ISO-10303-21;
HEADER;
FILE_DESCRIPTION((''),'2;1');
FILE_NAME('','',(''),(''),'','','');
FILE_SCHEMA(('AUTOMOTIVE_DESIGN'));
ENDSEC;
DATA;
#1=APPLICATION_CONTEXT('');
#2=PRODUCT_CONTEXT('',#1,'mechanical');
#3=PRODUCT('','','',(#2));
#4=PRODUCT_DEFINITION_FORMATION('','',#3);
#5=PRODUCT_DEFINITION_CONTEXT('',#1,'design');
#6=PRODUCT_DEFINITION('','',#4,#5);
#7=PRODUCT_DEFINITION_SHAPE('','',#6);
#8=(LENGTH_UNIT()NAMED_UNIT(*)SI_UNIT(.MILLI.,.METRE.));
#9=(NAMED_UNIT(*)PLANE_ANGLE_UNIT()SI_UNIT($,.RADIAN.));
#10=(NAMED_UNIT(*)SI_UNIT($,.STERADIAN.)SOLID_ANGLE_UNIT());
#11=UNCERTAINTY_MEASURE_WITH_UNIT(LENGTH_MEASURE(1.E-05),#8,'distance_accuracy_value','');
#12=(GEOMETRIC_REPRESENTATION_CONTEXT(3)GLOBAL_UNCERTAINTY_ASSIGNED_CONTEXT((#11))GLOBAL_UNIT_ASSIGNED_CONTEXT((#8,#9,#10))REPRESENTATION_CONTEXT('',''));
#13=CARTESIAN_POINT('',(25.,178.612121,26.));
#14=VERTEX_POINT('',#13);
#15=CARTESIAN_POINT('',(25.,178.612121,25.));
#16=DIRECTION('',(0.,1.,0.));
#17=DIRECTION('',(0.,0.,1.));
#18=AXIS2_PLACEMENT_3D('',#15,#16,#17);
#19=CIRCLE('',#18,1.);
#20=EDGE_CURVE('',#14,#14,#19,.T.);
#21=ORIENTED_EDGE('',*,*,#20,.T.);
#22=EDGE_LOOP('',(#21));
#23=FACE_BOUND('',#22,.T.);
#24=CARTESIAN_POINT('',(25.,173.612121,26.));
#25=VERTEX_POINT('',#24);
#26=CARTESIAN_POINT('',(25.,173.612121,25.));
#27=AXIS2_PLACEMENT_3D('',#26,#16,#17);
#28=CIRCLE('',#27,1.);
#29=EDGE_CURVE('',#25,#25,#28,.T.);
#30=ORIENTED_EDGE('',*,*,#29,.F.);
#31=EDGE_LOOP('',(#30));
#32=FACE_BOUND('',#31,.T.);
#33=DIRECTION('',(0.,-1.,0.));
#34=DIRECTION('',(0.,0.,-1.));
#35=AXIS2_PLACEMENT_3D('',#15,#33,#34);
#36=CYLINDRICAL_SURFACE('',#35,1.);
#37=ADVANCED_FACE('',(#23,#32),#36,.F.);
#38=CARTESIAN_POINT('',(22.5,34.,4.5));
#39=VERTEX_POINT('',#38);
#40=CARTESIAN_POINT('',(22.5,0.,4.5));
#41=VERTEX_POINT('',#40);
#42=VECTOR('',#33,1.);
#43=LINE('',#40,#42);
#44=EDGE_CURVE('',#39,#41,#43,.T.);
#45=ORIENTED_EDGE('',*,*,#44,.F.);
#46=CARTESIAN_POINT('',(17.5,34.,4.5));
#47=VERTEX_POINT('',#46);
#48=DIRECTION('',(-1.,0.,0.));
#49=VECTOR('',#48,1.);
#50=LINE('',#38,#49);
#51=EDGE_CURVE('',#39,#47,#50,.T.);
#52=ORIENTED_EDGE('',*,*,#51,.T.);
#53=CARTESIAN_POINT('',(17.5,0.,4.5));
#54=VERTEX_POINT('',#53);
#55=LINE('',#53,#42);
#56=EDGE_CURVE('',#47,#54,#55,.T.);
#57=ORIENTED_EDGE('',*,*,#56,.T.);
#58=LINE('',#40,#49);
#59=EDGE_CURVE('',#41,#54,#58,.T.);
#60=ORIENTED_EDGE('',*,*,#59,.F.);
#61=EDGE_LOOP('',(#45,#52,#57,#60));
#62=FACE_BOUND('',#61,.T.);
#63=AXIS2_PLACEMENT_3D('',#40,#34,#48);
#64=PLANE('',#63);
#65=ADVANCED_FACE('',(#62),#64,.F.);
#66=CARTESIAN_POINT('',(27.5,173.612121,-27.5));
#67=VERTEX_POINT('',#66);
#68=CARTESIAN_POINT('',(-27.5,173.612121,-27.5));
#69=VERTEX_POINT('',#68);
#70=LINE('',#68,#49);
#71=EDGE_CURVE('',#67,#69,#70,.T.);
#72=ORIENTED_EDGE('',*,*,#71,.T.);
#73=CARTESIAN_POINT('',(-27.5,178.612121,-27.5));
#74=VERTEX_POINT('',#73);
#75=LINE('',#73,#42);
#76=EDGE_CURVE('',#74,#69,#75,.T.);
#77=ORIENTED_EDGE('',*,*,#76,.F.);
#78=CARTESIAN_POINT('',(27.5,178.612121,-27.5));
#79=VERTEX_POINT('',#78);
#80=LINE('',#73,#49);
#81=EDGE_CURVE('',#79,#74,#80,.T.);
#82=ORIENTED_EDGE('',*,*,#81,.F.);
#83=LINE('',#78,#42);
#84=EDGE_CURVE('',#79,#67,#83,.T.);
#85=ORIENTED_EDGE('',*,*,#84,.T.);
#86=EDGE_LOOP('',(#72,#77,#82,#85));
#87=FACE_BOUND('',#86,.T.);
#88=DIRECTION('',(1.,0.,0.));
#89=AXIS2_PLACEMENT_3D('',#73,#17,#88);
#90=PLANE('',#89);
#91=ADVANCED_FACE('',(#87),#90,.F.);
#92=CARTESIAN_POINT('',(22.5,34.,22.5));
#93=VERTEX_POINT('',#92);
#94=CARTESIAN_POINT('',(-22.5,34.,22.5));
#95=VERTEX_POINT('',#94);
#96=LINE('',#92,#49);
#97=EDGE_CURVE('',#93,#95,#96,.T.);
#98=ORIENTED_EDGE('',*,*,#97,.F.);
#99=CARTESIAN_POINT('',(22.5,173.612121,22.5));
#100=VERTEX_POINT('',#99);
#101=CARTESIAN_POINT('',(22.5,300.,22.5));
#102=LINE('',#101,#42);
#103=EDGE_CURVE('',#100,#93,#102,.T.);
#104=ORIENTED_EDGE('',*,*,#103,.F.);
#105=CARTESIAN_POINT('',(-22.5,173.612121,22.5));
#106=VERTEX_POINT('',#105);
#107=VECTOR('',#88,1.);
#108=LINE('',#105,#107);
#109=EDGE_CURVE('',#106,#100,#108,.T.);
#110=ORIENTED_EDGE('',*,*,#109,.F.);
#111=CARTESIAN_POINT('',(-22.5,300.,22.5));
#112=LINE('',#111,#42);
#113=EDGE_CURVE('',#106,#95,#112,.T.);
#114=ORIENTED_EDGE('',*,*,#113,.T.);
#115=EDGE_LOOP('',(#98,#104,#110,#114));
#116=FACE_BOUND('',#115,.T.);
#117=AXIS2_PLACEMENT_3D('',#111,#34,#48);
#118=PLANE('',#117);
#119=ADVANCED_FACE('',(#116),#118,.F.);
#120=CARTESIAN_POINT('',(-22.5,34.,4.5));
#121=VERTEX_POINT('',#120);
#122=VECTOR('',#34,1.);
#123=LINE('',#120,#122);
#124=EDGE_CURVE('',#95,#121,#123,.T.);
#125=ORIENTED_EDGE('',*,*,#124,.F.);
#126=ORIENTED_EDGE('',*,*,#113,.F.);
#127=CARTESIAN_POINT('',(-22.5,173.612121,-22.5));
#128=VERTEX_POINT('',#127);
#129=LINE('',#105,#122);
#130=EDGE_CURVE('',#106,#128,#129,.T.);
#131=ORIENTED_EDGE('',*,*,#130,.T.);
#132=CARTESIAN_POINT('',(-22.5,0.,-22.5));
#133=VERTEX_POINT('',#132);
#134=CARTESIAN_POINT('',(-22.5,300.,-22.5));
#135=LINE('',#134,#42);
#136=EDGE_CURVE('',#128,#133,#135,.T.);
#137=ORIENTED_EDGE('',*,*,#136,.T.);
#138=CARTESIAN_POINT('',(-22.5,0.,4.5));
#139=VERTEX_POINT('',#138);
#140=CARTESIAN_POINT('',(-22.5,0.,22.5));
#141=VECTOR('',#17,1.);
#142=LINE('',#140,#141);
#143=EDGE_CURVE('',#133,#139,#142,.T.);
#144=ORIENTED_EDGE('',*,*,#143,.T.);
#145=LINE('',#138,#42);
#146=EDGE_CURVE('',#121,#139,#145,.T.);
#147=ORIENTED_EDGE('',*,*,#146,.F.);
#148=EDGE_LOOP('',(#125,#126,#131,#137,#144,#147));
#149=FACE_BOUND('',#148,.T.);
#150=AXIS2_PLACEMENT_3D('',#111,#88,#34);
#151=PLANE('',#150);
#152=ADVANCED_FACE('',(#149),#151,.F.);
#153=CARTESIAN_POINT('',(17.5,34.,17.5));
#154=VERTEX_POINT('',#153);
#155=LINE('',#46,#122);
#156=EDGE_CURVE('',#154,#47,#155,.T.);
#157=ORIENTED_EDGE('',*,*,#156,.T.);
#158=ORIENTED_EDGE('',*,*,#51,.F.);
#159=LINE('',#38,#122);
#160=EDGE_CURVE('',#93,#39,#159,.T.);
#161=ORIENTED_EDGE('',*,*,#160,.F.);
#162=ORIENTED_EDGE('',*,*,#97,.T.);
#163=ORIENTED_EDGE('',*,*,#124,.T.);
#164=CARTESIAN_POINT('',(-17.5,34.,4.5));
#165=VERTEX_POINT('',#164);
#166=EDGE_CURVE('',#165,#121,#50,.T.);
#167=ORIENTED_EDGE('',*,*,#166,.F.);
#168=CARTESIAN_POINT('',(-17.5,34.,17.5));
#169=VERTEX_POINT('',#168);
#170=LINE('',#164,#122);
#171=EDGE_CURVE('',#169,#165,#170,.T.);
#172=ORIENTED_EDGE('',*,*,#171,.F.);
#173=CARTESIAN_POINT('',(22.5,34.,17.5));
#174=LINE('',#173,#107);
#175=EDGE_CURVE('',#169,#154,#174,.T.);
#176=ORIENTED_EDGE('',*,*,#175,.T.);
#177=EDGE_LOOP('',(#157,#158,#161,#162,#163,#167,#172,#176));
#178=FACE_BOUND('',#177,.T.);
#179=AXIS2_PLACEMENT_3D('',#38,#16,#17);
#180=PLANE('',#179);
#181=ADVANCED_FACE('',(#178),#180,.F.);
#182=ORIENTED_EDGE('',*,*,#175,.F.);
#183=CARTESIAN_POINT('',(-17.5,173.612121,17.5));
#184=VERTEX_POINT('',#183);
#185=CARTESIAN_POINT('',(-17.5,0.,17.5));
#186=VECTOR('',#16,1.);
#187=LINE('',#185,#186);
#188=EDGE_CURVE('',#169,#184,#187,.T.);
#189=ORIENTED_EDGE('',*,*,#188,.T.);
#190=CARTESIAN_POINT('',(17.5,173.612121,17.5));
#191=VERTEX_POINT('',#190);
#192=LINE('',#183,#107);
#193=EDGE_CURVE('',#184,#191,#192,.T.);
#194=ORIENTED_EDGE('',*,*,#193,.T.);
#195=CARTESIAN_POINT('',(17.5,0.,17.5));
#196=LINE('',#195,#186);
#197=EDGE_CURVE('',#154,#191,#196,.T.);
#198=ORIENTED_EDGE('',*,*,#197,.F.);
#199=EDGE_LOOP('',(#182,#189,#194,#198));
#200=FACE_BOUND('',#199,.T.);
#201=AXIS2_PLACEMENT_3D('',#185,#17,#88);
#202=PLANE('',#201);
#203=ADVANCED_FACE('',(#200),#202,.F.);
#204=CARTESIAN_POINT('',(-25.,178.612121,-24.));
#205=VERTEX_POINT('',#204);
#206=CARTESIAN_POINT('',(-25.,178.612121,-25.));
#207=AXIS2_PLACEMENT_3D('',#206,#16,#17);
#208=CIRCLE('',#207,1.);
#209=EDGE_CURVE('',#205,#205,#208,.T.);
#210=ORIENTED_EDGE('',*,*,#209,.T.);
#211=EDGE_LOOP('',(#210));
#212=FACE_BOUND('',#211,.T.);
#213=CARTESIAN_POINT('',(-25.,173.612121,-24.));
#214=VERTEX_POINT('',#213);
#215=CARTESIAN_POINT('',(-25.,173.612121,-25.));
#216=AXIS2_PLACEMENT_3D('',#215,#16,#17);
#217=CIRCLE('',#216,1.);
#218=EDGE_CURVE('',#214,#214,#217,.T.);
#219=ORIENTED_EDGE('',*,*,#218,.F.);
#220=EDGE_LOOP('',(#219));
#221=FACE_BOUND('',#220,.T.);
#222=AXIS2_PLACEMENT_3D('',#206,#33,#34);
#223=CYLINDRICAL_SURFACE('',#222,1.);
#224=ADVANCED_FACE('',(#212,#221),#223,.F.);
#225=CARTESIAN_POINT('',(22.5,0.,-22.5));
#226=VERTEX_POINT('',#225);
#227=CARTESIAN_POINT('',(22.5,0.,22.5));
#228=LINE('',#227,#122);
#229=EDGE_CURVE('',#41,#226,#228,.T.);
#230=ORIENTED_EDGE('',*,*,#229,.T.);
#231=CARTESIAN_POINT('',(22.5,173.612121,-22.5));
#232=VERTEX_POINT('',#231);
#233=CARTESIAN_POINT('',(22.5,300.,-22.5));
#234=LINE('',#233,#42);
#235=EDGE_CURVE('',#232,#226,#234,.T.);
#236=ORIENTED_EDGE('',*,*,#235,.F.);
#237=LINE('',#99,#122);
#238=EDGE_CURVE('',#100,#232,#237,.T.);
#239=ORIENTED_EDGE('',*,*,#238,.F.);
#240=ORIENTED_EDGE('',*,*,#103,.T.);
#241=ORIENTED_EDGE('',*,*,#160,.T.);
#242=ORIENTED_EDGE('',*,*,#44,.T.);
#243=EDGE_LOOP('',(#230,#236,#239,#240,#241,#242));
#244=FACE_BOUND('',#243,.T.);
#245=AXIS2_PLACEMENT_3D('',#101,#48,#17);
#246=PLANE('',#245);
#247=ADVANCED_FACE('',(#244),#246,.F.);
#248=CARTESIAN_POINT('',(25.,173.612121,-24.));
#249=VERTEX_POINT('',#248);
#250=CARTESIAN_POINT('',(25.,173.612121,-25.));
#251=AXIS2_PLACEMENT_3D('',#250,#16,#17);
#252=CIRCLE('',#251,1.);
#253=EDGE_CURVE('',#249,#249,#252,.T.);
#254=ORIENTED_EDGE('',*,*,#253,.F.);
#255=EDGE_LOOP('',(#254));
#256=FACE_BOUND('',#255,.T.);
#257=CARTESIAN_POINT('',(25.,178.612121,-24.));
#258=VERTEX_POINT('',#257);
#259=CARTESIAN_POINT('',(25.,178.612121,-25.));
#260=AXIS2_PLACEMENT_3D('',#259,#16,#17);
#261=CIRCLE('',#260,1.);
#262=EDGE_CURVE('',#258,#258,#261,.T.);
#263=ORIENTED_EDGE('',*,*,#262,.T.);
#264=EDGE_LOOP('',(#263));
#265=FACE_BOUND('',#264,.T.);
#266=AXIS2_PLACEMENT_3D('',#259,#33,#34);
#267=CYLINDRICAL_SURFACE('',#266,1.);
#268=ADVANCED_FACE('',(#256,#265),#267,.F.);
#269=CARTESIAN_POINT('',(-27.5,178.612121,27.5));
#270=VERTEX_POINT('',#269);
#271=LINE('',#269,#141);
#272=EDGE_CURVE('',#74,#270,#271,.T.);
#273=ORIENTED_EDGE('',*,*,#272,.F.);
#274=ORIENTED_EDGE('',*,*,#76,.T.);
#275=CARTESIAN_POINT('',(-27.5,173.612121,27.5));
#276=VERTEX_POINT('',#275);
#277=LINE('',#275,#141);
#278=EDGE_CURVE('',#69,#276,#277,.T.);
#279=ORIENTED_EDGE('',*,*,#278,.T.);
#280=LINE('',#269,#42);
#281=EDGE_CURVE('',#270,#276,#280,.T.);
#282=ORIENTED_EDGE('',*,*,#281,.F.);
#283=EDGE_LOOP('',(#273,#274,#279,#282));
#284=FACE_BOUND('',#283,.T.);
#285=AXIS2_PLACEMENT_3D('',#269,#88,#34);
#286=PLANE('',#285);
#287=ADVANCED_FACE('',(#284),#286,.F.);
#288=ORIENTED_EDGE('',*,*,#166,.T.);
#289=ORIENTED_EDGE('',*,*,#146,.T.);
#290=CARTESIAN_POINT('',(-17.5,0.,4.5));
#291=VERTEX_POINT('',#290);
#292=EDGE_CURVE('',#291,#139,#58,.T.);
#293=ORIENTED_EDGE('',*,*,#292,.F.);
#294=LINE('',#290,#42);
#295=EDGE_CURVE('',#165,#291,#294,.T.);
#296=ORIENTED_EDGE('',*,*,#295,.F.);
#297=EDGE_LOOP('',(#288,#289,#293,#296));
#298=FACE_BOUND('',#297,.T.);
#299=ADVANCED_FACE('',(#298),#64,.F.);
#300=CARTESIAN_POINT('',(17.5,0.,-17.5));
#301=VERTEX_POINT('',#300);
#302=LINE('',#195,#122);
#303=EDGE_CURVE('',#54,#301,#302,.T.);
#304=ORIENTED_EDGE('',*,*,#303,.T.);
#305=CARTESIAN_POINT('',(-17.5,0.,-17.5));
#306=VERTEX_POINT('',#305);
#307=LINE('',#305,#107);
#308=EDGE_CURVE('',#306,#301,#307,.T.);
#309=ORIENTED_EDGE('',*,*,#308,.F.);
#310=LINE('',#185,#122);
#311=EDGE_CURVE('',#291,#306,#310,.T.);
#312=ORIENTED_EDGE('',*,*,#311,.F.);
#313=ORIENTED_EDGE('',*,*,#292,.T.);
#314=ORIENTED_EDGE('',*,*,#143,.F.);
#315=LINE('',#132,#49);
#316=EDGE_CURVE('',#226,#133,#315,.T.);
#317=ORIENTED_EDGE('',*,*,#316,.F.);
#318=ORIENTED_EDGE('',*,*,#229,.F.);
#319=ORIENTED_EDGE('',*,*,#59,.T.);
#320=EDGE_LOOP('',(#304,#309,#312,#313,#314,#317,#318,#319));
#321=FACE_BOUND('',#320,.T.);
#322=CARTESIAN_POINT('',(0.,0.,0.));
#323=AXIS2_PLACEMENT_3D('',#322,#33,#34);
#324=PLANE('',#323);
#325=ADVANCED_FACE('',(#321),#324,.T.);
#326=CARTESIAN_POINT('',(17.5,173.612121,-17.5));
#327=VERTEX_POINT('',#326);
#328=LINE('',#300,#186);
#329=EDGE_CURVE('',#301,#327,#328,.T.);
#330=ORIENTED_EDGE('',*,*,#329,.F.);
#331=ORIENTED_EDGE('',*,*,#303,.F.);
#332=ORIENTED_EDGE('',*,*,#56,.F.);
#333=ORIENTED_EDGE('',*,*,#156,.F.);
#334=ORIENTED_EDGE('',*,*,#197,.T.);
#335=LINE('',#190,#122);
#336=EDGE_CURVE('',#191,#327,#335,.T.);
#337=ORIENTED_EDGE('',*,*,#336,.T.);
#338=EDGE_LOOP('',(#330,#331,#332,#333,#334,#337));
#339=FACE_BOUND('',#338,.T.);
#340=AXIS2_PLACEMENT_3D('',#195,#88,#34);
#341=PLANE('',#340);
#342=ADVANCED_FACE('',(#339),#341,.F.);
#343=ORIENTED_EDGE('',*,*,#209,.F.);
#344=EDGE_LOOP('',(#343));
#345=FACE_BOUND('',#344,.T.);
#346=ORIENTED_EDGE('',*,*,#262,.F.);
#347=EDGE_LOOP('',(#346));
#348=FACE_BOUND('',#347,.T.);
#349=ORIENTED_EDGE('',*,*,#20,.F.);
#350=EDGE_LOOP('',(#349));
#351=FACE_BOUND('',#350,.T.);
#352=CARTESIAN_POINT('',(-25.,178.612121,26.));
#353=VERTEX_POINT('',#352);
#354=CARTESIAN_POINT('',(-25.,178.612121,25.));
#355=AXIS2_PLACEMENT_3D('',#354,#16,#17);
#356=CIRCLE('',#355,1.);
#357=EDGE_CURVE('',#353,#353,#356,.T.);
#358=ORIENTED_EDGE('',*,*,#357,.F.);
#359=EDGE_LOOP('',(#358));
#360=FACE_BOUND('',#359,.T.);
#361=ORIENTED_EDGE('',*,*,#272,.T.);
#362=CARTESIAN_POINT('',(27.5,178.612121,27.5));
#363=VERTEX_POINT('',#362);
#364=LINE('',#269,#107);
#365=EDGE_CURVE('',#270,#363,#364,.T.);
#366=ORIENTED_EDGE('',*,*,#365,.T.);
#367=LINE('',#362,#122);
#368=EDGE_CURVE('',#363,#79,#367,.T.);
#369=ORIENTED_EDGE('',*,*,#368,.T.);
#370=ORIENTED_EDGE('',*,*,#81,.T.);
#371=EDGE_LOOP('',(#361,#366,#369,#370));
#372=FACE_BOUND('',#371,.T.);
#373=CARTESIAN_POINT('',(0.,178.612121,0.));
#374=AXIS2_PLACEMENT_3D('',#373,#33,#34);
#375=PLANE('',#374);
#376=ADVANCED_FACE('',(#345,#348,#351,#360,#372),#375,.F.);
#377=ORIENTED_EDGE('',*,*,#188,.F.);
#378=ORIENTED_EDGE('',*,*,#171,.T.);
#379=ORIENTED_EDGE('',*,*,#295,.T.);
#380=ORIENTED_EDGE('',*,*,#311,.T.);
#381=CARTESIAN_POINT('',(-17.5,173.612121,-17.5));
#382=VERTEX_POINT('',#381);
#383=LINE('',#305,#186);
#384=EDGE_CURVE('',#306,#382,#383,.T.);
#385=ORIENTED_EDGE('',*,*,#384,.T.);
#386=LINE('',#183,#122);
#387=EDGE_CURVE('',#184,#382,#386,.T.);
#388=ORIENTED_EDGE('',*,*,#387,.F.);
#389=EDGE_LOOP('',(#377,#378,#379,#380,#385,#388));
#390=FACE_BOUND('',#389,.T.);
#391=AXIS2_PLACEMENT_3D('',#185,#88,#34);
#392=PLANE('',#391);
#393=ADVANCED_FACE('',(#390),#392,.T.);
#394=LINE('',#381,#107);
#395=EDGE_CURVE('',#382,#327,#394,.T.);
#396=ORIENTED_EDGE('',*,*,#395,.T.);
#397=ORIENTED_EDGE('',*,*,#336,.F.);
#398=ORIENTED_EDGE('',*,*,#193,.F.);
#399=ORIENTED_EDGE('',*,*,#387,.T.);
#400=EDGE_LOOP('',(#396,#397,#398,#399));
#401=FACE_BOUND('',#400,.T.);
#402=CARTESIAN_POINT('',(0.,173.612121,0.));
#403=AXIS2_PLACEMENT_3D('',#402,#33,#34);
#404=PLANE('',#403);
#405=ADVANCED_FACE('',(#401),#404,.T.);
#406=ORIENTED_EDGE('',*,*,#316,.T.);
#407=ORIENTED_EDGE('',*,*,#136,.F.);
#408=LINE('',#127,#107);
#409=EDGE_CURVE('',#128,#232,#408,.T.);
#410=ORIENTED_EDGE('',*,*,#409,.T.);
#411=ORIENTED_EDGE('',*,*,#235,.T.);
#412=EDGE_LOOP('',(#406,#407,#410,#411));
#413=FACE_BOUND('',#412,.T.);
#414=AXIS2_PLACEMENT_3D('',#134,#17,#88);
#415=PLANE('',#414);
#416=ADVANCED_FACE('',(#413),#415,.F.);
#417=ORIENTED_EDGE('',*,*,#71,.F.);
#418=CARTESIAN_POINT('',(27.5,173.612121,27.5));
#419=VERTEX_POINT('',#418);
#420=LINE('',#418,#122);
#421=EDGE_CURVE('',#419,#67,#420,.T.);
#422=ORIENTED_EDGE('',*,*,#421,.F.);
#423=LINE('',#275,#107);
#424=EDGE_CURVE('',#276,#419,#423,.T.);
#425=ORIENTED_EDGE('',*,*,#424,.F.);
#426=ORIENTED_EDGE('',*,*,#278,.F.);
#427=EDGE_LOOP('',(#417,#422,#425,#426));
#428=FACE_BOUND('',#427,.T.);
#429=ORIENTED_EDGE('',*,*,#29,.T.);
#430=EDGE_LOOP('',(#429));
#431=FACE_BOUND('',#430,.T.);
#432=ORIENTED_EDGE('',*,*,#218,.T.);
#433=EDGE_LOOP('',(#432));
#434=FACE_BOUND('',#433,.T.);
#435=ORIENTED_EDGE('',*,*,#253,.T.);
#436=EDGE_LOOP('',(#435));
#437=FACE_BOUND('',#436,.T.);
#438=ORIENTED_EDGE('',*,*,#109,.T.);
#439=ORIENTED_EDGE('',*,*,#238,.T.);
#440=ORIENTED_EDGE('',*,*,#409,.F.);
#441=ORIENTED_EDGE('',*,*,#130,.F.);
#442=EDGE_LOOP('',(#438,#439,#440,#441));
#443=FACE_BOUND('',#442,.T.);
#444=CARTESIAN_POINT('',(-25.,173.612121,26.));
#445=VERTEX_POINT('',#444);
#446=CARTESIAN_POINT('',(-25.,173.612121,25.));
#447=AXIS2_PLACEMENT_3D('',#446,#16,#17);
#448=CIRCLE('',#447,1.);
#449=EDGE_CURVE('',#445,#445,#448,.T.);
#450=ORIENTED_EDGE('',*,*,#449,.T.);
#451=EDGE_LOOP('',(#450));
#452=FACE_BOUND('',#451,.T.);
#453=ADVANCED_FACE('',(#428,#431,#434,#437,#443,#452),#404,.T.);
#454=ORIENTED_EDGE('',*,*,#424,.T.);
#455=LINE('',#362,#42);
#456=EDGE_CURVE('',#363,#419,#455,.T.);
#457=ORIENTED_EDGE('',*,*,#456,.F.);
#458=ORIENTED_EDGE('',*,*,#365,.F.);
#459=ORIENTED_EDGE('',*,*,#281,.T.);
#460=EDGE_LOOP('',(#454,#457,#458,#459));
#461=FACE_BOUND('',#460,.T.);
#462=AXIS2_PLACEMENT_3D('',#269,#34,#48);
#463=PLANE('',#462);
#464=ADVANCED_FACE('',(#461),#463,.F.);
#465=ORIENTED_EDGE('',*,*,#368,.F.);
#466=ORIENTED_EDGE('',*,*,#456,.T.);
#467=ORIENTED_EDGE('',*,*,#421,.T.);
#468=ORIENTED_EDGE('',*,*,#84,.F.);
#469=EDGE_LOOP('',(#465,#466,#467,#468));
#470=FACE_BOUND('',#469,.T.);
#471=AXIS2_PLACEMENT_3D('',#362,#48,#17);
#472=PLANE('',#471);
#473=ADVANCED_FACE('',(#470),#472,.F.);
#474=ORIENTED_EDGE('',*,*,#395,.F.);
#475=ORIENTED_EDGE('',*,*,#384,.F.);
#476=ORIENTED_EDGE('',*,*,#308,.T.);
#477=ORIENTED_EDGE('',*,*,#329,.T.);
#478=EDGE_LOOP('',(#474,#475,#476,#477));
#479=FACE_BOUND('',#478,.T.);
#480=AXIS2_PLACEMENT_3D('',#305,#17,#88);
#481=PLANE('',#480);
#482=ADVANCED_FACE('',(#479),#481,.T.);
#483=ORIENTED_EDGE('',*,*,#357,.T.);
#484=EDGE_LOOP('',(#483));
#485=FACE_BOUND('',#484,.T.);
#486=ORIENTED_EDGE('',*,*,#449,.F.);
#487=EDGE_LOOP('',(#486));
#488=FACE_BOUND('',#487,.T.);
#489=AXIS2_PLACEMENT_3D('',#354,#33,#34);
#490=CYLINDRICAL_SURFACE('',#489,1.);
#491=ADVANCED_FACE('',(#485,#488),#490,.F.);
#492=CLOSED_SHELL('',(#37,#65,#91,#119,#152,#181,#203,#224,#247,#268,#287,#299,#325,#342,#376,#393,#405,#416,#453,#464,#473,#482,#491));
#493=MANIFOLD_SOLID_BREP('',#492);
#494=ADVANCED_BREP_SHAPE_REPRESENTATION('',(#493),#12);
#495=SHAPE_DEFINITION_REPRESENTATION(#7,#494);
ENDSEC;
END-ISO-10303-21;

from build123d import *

# Parameters (mm, degrees)
CROQUIS1_W                 = 45
CROQUIS1_H                 = 45
SALIENTE_EXTRUIR1_DEPTH    = 300
CROQUIS4_W                 = 18
CROQUIS4_H                 = 34
CORTAR_EXTRUIR2_DEPTH      = 46
CROQUIS8_W                 = 35
CROQUIS8_H                 = 35
CORTAR_EXTRUIR3_DEPTH      = 301
CROQUIS9_W                 = 35
CROQUIS9_H                 = 21.174410022
CORTAR_EXTRUIR4_DEPTH      = 10
CROQUIS10_R                = 1
CORTAR_EXTRUIR5_DEPTH      = 10
CROQUIS11_W                = 45
CROQUIS11_H                = 26.387879272
CORTAR_EXTRUIR6_DEPTH      = 46
CROQUIS13_W                = 45
CROQUIS13_H                = 100
CORTAR_EXTRUIR9_DEPTH      = 23.5
CORTAR_EXTRUIR9_DEPTH_BACK = 23.5
CROQUIS14_W                = 55
CROQUIS14_H                = 55
CROQUIS14_R                = 1
SALIENTE_EXTRUIR3_DEPTH    = 5


with BuildPart() as part:
    # Croquis1 → Saliente-Extruir1 (new body)
    with BuildSketch(Plane(origin=(0, 0, 0), x_dir=(1, 0, 0), z_dir=(0, 1, 0))):
        Rectangle(CROQUIS1_W, CROQUIS1_H)
    extrude(amount=SALIENTE_EXTRUIR1_DEPTH)

    # Croquis4 → Cortar-Extruir2 (cut, through all)
    with BuildSketch(Plane.ZY.offset(22.5)):
        with Locations((13.5, 17)):
            Rectangle(CROQUIS4_W, CROQUIS4_H)
    extrude(amount=-CORTAR_EXTRUIR2_DEPTH, mode=Mode.SUBTRACT)

    # Croquis8 → Cortar-Extruir3 (cut, through all)
    with BuildSketch(Plane(origin=(0, 300, 0), x_dir=(1, 0, 0), z_dir=(0, 1, 0))):
        Rectangle(CROQUIS8_W, CROQUIS8_H)
    extrude(amount=-CORTAR_EXTRUIR3_DEPTH, mode=Mode.SUBTRACT)

    # Croquis9 → Cortar-Extruir4 (cut)
    with BuildSketch(Plane(origin=(0, 0, -22.5), x_dir=(-1, 0, 0), z_dir=(0, 0, -1))):
        with Locations((0, 260)):
            Rectangle(CROQUIS9_W, CROQUIS9_H)
    extrude(amount=-CORTAR_EXTRUIR4_DEPTH, mode=Mode.SUBTRACT)

    # Croquis10 → Cortar-Extruir5 (cut)
    with BuildSketch(Plane.XY.offset(22.5)):
        with Locations((0, 260)):
            Circle(CROQUIS10_R)
    extrude(amount=-CORTAR_EXTRUIR5_DEPTH, mode=Mode.SUBTRACT)

    # Croquis11 → Cortar-Extruir6 (cut, through all)
    with BuildSketch(Plane.XY.offset(22.5)):
        with Locations((0, 286.806060364)):
            Rectangle(CROQUIS11_W, CROQUIS11_H)
    extrude(amount=-CORTAR_EXTRUIR6_DEPTH, mode=Mode.SUBTRACT)

    # Croquis13 → Cortar-Extruir9 (cut, two sides)
    with BuildSketch(Plane(origin=(0, 0, 0), x_dir=(0, 0, -1), z_dir=(1, 0, 0))) as cortar_extruir9_sk:
        with Locations((0, 223.612120728)):
            Rectangle(CROQUIS13_W, CROQUIS13_H)
    extrude(amount=CORTAR_EXTRUIR9_DEPTH, mode=Mode.SUBTRACT)
    extrude(cortar_extruir9_sk.sketch, amount=-CORTAR_EXTRUIR9_DEPTH_BACK, mode=Mode.SUBTRACT)

    # Croquis14 → Saliente-Extruir3 (add)
    with BuildSketch(Plane(origin=(0, 173.612120728, 0), x_dir=(1, 0, 0), z_dir=(0, 1, 0))):
        Rectangle(CROQUIS14_W, CROQUIS14_H)
        with Locations((-25, 25)):
            Circle(CROQUIS14_R, mode=Mode.SUBTRACT)
        with Locations((25, -25)):
            Circle(CROQUIS14_R, mode=Mode.SUBTRACT)
        with Locations((25, 25)):
            Circle(CROQUIS14_R, mode=Mode.SUBTRACT)
        with Locations((-25, -25)):
            Circle(CROQUIS14_R, mode=Mode.SUBTRACT)
    extrude(amount=SALIENTE_EXTRUIR3_DEPTH)


solid = part.part
